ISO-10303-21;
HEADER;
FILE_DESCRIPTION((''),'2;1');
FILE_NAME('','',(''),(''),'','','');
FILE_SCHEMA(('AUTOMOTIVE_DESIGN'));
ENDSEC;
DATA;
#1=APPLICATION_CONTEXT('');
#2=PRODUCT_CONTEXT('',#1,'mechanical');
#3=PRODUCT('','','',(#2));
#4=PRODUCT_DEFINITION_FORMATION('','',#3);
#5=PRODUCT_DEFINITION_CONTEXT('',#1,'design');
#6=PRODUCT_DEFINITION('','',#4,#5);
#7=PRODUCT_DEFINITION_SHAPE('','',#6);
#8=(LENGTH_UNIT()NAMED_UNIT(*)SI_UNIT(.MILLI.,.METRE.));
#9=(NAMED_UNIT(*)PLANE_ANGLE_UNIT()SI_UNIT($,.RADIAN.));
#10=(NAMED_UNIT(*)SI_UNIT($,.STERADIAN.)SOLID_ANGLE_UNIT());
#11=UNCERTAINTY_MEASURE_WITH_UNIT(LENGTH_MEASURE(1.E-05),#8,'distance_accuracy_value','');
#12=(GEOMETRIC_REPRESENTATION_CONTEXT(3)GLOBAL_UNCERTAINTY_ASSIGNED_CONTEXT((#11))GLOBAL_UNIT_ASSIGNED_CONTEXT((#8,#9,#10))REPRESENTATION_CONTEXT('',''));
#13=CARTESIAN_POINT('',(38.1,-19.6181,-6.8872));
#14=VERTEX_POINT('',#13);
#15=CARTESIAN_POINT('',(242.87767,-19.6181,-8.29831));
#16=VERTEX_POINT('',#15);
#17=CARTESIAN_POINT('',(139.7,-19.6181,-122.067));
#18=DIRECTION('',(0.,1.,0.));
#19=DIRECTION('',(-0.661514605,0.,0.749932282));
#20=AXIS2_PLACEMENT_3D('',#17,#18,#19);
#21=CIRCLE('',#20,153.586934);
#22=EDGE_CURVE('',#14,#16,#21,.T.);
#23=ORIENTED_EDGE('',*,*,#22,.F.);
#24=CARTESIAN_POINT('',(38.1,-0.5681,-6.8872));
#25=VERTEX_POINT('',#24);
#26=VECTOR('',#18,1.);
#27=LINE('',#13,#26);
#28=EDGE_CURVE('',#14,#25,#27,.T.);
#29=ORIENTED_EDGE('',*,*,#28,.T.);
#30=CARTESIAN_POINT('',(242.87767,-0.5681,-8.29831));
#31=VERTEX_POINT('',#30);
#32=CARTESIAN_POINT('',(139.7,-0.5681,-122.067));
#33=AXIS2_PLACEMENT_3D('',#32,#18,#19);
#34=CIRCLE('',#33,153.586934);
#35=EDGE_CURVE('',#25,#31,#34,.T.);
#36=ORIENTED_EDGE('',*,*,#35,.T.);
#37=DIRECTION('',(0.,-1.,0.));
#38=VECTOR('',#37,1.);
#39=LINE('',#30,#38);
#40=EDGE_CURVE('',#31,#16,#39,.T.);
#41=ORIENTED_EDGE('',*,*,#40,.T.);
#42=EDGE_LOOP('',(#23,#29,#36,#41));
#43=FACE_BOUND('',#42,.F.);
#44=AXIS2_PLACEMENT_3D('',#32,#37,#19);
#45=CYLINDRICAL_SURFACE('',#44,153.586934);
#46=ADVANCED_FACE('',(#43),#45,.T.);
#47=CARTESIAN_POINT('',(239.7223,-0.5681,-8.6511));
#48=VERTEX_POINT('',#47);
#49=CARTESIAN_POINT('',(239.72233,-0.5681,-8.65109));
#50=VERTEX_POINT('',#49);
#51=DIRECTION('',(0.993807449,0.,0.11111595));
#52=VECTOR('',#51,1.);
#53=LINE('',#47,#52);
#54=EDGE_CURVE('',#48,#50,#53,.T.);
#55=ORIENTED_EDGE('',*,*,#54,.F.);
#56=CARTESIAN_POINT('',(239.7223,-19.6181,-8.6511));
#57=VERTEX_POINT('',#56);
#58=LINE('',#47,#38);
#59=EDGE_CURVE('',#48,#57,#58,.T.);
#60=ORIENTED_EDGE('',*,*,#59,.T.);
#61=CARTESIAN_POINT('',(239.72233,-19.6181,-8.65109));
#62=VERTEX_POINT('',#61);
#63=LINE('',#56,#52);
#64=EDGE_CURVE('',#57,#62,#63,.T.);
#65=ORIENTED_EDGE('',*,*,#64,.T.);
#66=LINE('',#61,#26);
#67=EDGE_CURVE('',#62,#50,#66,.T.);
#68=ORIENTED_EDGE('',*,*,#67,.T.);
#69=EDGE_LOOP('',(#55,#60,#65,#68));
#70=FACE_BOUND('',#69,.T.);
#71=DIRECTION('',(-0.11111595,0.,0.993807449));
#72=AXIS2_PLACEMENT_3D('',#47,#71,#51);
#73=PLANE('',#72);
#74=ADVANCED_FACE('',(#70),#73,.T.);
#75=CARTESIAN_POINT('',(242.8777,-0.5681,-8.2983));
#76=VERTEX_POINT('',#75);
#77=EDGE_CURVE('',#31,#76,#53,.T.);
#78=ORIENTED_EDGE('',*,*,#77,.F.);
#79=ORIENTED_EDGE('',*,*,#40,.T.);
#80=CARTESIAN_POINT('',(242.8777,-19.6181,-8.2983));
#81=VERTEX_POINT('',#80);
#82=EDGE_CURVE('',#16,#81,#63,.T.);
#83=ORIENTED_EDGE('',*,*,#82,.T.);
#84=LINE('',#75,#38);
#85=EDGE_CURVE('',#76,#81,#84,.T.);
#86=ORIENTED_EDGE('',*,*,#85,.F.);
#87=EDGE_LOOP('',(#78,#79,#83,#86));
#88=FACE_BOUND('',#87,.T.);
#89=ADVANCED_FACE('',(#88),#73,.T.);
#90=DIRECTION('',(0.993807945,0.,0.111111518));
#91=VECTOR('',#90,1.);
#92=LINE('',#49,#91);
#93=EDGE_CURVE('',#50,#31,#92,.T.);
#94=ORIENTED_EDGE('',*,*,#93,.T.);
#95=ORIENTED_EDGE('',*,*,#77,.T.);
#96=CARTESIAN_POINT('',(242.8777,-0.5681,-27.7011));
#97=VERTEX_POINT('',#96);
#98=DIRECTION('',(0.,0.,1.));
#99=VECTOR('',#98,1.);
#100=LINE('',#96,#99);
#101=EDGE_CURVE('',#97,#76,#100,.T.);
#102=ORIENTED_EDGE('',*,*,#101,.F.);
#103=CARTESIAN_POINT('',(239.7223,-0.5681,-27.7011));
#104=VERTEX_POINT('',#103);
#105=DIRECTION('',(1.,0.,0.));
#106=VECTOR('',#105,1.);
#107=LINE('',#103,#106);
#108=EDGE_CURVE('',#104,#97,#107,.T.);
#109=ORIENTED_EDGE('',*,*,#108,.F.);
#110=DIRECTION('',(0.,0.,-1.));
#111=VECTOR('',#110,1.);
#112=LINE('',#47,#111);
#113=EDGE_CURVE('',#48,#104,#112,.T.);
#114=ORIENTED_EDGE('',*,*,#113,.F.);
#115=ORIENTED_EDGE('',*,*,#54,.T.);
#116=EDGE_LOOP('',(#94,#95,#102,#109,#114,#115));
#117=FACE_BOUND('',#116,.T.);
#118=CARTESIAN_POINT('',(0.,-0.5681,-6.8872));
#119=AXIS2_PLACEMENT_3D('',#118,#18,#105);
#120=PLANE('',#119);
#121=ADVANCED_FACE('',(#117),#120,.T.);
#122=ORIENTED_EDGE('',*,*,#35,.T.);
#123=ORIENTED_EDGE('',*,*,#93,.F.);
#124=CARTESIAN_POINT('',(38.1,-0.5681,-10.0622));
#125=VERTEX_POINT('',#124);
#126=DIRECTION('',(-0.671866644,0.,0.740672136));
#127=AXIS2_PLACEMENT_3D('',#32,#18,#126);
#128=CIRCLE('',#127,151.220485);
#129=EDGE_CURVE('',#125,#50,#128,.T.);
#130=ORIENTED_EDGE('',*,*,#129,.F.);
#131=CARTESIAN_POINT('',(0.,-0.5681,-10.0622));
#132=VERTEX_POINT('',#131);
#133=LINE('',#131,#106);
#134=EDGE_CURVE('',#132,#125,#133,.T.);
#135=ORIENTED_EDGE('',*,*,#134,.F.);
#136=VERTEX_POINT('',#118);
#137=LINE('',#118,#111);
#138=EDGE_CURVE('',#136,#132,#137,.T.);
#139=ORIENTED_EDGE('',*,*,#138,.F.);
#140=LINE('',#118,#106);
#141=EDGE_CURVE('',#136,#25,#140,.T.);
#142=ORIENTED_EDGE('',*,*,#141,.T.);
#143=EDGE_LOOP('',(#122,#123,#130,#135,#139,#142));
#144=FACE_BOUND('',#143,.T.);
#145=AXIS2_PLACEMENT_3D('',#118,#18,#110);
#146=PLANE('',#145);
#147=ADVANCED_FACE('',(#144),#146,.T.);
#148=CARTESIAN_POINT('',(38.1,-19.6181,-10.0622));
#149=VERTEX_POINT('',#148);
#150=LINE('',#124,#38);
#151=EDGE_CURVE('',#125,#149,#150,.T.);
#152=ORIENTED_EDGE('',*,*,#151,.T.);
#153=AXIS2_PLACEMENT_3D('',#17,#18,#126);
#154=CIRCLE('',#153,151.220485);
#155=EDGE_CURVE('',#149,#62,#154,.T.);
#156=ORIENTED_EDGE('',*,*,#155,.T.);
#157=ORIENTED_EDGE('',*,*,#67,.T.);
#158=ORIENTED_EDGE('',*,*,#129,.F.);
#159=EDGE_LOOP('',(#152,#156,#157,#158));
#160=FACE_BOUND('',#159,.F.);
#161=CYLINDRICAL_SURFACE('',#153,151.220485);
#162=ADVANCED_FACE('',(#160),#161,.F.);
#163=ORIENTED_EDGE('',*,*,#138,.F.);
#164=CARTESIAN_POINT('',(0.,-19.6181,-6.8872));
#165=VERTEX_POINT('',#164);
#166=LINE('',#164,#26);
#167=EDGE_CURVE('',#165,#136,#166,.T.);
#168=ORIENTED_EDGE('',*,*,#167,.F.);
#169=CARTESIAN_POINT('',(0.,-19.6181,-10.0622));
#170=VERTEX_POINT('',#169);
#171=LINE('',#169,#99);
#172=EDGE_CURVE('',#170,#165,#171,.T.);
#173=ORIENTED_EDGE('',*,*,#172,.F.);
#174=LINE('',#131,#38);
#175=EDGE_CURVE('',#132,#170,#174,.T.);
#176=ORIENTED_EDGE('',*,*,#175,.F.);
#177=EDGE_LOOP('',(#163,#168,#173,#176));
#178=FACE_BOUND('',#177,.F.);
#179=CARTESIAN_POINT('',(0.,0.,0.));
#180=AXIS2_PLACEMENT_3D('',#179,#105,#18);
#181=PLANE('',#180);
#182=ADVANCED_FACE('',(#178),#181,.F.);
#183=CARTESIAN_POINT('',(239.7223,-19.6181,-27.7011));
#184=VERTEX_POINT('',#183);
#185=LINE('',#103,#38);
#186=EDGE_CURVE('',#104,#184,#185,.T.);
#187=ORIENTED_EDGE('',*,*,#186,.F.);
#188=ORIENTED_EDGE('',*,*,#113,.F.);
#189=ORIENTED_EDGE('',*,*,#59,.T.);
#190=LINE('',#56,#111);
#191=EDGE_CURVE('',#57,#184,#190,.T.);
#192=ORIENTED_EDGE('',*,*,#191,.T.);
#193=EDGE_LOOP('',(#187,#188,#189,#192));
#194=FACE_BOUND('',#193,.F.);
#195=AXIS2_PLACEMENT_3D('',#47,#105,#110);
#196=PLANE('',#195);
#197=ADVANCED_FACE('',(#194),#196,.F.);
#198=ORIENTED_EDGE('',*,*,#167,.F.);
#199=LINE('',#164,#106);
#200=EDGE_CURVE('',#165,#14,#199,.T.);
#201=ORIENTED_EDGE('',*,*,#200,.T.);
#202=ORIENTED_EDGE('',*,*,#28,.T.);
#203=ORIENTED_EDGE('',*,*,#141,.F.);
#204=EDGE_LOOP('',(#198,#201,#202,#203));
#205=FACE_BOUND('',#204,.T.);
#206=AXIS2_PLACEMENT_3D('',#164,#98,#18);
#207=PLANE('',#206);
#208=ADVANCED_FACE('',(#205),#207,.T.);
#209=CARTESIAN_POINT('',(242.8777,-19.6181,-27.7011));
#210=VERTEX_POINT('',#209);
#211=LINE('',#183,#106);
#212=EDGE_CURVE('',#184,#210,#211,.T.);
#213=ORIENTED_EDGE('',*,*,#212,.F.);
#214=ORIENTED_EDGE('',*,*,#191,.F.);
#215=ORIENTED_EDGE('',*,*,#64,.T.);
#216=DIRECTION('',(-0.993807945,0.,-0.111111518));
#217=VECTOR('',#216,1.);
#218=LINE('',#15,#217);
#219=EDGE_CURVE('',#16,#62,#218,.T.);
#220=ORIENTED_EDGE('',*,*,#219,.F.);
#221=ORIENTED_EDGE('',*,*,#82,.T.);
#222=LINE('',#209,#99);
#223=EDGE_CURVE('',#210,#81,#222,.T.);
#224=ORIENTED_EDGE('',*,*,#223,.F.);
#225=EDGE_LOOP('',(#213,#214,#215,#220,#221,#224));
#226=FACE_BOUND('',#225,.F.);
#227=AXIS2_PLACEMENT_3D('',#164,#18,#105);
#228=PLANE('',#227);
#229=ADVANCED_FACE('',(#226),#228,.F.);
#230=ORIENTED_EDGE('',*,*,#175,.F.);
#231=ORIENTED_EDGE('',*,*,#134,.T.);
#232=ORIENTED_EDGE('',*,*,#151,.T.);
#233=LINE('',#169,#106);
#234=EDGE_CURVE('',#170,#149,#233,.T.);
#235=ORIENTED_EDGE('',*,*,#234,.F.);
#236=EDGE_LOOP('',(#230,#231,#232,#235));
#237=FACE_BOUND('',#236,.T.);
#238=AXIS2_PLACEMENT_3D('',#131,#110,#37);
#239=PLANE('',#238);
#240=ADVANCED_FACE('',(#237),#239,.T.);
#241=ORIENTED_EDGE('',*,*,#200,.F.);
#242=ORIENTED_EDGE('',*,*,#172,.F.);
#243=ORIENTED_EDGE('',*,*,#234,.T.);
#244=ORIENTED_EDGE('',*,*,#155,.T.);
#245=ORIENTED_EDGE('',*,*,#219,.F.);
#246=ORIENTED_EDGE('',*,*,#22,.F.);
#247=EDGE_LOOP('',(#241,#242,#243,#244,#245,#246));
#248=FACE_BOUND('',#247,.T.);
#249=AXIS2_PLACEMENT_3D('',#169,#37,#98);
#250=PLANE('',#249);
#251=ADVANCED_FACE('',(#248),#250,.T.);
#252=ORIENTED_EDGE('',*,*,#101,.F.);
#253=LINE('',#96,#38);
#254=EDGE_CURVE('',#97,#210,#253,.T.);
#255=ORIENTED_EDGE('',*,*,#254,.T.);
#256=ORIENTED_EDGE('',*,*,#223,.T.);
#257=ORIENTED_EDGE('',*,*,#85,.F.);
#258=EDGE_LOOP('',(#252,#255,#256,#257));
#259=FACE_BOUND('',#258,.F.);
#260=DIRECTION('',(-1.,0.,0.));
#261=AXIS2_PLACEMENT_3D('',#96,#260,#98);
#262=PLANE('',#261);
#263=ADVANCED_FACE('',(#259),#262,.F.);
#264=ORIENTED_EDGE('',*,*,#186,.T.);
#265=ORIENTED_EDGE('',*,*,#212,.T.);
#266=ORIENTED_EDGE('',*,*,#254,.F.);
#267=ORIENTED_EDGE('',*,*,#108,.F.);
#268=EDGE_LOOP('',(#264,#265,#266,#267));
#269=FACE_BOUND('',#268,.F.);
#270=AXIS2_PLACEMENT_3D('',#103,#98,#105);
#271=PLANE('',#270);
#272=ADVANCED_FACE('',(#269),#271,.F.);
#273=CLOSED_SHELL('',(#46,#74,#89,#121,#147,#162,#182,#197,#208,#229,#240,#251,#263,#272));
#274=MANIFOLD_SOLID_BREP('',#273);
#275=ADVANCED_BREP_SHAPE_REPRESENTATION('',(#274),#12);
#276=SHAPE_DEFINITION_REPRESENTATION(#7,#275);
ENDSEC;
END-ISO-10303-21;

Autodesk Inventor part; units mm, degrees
ref_plane "YZ Plane" through (0, 0, 0) normal (1, 0, 0) x (0, 1, 0)
ref_plane "XZ Plane" through (0, 0, 0) normal (0, 1, 0) x (-1, 0, 0)
ref_plane "XY Plane" through (0, 0, 0) normal (0, 0, 1) x (1, 0, 0)
sketch "Sketch1" plane through (0, 0, 0) normal (1, 0, 0) x (0, 1, 0)
  line L0 (-19.6181, -6.8872) -> (-0.5681, -6.8872)
  line L1 (-0.5681, -6.8872) -> (-0.5681, -10.0622)
  line L2 (-0.5681, -10.0622) -> (-19.6181, -10.0622)
  line L3 (-19.6181, -10.0622) -> (-19.6181, -6.8872)
  dimension "d7" = 19.05
  dimension "d8" = 3.175
extrude "Extrusion1" add sketch "Sketch1" along normal blind 38.1
sketch "Sketch2" plane through (0, -0.5681, -6.8872) normal (0, 1, 0) x (1, 0, 0)
  line L0 (38.1, 3.175) -> (38.1, 0) projected
  arc A0 (38.1, 1.5875) -> (241.3, 1.5875) centre (139.7, 115.1798) ccw
  line L1 (0, 0) -> (38.1, 0) projected
  point P0 (0, -6.8872)
  dimension "d11" = 203.2
  dimension "d12" = 152.4
  dimension "d17" = 1.5875
sketch "Sketch3" plane through (38.1, 0, 0) normal (1, 0, 0) x (0, 0, -1)
  line L0 (6.8872, -0.5681) -> (6.8872, -19.6181) projected
  line L1 (6.8872, -19.6181) -> (10.0622, -19.6181) projected
  line L2 (10.0622, -19.6181) -> (10.0622, -0.5681) projected
  line L3 (10.0622, -0.5681) -> (6.8872, -0.5681) projected
  point P0 (0, 0)
sweep "Sweep1" add profiles "Sketch3" path "Sketch2" path curves A0
sketch "Sketch4" plane through (0, -0.5681, -6.8872) normal (0, 1, 0) x (1, 0, 0)
  line L0 (239.7223, 1.7639) -> (242.8777, 1.4111) projected
  line L1 (0, 3.175) -> (38.1, 3.175) projected
  line L2 (239.7223, 1.7639) -> (239.7223, 20.8139)
  line L3 (239.7223, 20.8139) -> (242.8777, 20.8139)
  line L4 (242.8777, 20.8139) -> (242.8777, 1.4111)
  point P0 (0, -6.8872)
  dimension "d14" = 19.05
extrude "Extrusion2" add sketch "Sketch4" against normal blind 19.05
properties part number "RearSkidSteel"
